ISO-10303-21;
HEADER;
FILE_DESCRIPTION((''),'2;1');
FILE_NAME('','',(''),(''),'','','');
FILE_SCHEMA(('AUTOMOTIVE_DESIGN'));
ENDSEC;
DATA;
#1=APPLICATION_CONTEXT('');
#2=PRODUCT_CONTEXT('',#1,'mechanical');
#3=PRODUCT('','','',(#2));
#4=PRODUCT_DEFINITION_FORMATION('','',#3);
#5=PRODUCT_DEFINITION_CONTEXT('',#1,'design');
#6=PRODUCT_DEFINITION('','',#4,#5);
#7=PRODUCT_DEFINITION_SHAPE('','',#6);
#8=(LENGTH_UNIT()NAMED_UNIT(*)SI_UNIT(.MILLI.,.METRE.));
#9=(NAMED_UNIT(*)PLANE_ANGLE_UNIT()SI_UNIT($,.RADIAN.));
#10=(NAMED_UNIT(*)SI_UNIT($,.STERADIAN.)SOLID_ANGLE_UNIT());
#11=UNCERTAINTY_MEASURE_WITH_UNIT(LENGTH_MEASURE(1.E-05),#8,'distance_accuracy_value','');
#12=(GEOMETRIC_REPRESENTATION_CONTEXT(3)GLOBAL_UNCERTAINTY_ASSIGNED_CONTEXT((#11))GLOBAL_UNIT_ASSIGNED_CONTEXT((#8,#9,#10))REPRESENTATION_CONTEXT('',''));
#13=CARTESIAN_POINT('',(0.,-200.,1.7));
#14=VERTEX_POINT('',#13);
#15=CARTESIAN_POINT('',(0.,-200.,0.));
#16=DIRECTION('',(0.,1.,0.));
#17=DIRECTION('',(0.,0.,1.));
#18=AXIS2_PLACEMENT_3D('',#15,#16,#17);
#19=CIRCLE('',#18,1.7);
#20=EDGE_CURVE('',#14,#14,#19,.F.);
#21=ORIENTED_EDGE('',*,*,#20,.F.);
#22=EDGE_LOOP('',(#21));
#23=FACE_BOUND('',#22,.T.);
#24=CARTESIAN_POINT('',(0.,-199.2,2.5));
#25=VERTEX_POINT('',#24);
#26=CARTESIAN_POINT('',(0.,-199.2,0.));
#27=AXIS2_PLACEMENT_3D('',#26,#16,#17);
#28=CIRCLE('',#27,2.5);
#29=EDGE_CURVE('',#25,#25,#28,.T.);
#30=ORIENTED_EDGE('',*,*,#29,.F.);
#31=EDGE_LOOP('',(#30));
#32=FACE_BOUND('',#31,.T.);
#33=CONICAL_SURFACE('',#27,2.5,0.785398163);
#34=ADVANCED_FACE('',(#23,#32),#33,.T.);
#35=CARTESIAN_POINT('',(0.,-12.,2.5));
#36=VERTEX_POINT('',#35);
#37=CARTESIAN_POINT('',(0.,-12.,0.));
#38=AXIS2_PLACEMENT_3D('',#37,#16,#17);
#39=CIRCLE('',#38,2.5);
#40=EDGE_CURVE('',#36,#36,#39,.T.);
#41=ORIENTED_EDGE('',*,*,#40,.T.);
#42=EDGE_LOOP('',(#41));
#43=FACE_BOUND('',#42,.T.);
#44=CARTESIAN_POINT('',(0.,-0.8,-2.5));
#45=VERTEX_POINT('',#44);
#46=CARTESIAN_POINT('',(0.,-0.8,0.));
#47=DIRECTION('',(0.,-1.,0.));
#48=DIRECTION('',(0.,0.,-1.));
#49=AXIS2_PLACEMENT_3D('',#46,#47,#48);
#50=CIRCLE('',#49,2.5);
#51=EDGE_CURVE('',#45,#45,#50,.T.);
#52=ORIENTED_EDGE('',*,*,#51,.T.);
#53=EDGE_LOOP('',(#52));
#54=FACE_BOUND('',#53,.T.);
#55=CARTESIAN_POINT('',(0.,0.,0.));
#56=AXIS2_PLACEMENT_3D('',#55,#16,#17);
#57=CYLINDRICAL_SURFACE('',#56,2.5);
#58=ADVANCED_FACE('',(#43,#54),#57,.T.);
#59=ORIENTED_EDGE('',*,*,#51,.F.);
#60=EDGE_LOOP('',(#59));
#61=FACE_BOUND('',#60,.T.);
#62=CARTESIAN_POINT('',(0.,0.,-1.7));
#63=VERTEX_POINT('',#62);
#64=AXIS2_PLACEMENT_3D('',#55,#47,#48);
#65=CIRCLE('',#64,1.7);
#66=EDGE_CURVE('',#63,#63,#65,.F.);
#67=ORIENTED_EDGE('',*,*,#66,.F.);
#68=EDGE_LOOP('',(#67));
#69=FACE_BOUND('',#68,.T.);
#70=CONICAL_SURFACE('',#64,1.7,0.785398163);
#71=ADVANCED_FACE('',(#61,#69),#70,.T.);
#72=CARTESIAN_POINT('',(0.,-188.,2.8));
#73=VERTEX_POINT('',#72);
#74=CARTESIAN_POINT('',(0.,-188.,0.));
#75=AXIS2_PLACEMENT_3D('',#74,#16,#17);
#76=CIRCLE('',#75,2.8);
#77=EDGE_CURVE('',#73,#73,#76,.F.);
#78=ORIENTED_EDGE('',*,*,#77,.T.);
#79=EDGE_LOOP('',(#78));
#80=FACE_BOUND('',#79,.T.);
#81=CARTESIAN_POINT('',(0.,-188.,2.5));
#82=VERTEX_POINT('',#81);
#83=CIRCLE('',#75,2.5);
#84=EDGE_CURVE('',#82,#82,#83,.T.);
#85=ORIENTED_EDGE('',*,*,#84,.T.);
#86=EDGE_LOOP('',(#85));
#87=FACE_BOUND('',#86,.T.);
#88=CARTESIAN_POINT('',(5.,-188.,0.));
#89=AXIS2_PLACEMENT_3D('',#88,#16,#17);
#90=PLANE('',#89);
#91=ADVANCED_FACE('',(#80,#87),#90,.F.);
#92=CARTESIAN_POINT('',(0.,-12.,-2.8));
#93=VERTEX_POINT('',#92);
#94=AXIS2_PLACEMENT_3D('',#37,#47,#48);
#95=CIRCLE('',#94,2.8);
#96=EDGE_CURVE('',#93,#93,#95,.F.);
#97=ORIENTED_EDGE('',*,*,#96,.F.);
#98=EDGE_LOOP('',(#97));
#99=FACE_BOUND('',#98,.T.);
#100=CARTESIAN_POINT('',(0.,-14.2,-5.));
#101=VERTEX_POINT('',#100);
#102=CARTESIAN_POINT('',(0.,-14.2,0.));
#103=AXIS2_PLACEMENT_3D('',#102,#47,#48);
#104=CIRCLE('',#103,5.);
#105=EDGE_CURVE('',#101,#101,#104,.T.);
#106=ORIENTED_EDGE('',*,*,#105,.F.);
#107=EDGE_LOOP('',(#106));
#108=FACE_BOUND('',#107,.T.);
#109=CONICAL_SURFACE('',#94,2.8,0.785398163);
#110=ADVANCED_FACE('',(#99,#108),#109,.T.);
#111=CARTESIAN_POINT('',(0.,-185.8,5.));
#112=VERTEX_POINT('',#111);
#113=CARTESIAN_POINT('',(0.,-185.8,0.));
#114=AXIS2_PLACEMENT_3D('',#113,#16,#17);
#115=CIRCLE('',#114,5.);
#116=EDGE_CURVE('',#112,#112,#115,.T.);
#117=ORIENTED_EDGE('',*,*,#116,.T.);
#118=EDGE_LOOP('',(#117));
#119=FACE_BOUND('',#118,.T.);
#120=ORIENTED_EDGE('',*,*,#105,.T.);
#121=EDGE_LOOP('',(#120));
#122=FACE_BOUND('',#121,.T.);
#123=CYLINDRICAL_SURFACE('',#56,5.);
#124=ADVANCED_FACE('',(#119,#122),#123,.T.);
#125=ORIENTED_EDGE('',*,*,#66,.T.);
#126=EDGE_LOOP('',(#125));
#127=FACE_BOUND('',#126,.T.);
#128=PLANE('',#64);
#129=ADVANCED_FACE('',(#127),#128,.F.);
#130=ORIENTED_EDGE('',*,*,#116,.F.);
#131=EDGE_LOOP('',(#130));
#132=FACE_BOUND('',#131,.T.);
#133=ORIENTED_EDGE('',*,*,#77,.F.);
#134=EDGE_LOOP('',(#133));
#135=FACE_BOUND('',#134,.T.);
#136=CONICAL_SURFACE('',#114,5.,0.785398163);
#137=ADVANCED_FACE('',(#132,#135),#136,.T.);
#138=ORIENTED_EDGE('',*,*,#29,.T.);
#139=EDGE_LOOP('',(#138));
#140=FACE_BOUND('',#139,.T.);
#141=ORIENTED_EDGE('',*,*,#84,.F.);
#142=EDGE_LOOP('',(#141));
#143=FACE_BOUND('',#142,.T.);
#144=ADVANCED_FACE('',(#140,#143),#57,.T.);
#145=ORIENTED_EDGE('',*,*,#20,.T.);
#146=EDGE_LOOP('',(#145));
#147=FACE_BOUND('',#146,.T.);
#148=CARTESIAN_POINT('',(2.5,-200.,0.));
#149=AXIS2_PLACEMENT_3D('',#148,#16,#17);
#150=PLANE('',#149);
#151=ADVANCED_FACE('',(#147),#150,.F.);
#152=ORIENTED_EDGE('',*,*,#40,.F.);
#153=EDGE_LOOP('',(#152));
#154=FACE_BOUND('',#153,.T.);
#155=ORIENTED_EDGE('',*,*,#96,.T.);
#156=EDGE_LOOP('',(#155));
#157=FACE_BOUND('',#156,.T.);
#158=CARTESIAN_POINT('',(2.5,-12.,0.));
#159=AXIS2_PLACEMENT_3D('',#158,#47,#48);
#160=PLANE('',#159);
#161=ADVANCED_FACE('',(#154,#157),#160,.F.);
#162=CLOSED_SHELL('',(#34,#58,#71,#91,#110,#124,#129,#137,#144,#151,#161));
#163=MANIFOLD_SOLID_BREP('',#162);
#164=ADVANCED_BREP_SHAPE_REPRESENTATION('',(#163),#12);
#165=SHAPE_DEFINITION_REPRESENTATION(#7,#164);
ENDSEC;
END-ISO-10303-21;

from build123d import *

# Parameters (mm, degrees)
FASE1_SIZE = 2.2
FASE2_SIZE = 0.8


with BuildPart() as part:
    # Skizze1 → Rotation1 (revolve)
    with BuildSketch(Plane.XY, mode=Mode.PRIVATE) as rotation1_sk:
        Polygon((0, 0), (2.5, 0), (2.5, -12), (5, -12), (5, -188), (2.5, -188), (2.5, -200), (0, -200), align=None)
    revolve(rotation1_sk.sketch.rotate(Axis((0, 0, 0), (0, -1, 0)), 90), axis=Axis((0, 0, 0), (0, -1, 0)))

    # Fase1
    fase1_edges = [part.edges().sort_by_distance(p)[0] for p in [
        (0, -188, -5),
        (0, -12, -5),
    ]]
    chamfer(fase1_edges, length=FASE1_SIZE)

    # Fase2
    fase2_edges = [part.edges().sort_by_distance(p)[0] for p in [
        (0, -200, -2.5),
        (0, 0, -2.5),
    ]]
    chamfer(fase2_edges, length=FASE2_SIZE)


solid = part.part
